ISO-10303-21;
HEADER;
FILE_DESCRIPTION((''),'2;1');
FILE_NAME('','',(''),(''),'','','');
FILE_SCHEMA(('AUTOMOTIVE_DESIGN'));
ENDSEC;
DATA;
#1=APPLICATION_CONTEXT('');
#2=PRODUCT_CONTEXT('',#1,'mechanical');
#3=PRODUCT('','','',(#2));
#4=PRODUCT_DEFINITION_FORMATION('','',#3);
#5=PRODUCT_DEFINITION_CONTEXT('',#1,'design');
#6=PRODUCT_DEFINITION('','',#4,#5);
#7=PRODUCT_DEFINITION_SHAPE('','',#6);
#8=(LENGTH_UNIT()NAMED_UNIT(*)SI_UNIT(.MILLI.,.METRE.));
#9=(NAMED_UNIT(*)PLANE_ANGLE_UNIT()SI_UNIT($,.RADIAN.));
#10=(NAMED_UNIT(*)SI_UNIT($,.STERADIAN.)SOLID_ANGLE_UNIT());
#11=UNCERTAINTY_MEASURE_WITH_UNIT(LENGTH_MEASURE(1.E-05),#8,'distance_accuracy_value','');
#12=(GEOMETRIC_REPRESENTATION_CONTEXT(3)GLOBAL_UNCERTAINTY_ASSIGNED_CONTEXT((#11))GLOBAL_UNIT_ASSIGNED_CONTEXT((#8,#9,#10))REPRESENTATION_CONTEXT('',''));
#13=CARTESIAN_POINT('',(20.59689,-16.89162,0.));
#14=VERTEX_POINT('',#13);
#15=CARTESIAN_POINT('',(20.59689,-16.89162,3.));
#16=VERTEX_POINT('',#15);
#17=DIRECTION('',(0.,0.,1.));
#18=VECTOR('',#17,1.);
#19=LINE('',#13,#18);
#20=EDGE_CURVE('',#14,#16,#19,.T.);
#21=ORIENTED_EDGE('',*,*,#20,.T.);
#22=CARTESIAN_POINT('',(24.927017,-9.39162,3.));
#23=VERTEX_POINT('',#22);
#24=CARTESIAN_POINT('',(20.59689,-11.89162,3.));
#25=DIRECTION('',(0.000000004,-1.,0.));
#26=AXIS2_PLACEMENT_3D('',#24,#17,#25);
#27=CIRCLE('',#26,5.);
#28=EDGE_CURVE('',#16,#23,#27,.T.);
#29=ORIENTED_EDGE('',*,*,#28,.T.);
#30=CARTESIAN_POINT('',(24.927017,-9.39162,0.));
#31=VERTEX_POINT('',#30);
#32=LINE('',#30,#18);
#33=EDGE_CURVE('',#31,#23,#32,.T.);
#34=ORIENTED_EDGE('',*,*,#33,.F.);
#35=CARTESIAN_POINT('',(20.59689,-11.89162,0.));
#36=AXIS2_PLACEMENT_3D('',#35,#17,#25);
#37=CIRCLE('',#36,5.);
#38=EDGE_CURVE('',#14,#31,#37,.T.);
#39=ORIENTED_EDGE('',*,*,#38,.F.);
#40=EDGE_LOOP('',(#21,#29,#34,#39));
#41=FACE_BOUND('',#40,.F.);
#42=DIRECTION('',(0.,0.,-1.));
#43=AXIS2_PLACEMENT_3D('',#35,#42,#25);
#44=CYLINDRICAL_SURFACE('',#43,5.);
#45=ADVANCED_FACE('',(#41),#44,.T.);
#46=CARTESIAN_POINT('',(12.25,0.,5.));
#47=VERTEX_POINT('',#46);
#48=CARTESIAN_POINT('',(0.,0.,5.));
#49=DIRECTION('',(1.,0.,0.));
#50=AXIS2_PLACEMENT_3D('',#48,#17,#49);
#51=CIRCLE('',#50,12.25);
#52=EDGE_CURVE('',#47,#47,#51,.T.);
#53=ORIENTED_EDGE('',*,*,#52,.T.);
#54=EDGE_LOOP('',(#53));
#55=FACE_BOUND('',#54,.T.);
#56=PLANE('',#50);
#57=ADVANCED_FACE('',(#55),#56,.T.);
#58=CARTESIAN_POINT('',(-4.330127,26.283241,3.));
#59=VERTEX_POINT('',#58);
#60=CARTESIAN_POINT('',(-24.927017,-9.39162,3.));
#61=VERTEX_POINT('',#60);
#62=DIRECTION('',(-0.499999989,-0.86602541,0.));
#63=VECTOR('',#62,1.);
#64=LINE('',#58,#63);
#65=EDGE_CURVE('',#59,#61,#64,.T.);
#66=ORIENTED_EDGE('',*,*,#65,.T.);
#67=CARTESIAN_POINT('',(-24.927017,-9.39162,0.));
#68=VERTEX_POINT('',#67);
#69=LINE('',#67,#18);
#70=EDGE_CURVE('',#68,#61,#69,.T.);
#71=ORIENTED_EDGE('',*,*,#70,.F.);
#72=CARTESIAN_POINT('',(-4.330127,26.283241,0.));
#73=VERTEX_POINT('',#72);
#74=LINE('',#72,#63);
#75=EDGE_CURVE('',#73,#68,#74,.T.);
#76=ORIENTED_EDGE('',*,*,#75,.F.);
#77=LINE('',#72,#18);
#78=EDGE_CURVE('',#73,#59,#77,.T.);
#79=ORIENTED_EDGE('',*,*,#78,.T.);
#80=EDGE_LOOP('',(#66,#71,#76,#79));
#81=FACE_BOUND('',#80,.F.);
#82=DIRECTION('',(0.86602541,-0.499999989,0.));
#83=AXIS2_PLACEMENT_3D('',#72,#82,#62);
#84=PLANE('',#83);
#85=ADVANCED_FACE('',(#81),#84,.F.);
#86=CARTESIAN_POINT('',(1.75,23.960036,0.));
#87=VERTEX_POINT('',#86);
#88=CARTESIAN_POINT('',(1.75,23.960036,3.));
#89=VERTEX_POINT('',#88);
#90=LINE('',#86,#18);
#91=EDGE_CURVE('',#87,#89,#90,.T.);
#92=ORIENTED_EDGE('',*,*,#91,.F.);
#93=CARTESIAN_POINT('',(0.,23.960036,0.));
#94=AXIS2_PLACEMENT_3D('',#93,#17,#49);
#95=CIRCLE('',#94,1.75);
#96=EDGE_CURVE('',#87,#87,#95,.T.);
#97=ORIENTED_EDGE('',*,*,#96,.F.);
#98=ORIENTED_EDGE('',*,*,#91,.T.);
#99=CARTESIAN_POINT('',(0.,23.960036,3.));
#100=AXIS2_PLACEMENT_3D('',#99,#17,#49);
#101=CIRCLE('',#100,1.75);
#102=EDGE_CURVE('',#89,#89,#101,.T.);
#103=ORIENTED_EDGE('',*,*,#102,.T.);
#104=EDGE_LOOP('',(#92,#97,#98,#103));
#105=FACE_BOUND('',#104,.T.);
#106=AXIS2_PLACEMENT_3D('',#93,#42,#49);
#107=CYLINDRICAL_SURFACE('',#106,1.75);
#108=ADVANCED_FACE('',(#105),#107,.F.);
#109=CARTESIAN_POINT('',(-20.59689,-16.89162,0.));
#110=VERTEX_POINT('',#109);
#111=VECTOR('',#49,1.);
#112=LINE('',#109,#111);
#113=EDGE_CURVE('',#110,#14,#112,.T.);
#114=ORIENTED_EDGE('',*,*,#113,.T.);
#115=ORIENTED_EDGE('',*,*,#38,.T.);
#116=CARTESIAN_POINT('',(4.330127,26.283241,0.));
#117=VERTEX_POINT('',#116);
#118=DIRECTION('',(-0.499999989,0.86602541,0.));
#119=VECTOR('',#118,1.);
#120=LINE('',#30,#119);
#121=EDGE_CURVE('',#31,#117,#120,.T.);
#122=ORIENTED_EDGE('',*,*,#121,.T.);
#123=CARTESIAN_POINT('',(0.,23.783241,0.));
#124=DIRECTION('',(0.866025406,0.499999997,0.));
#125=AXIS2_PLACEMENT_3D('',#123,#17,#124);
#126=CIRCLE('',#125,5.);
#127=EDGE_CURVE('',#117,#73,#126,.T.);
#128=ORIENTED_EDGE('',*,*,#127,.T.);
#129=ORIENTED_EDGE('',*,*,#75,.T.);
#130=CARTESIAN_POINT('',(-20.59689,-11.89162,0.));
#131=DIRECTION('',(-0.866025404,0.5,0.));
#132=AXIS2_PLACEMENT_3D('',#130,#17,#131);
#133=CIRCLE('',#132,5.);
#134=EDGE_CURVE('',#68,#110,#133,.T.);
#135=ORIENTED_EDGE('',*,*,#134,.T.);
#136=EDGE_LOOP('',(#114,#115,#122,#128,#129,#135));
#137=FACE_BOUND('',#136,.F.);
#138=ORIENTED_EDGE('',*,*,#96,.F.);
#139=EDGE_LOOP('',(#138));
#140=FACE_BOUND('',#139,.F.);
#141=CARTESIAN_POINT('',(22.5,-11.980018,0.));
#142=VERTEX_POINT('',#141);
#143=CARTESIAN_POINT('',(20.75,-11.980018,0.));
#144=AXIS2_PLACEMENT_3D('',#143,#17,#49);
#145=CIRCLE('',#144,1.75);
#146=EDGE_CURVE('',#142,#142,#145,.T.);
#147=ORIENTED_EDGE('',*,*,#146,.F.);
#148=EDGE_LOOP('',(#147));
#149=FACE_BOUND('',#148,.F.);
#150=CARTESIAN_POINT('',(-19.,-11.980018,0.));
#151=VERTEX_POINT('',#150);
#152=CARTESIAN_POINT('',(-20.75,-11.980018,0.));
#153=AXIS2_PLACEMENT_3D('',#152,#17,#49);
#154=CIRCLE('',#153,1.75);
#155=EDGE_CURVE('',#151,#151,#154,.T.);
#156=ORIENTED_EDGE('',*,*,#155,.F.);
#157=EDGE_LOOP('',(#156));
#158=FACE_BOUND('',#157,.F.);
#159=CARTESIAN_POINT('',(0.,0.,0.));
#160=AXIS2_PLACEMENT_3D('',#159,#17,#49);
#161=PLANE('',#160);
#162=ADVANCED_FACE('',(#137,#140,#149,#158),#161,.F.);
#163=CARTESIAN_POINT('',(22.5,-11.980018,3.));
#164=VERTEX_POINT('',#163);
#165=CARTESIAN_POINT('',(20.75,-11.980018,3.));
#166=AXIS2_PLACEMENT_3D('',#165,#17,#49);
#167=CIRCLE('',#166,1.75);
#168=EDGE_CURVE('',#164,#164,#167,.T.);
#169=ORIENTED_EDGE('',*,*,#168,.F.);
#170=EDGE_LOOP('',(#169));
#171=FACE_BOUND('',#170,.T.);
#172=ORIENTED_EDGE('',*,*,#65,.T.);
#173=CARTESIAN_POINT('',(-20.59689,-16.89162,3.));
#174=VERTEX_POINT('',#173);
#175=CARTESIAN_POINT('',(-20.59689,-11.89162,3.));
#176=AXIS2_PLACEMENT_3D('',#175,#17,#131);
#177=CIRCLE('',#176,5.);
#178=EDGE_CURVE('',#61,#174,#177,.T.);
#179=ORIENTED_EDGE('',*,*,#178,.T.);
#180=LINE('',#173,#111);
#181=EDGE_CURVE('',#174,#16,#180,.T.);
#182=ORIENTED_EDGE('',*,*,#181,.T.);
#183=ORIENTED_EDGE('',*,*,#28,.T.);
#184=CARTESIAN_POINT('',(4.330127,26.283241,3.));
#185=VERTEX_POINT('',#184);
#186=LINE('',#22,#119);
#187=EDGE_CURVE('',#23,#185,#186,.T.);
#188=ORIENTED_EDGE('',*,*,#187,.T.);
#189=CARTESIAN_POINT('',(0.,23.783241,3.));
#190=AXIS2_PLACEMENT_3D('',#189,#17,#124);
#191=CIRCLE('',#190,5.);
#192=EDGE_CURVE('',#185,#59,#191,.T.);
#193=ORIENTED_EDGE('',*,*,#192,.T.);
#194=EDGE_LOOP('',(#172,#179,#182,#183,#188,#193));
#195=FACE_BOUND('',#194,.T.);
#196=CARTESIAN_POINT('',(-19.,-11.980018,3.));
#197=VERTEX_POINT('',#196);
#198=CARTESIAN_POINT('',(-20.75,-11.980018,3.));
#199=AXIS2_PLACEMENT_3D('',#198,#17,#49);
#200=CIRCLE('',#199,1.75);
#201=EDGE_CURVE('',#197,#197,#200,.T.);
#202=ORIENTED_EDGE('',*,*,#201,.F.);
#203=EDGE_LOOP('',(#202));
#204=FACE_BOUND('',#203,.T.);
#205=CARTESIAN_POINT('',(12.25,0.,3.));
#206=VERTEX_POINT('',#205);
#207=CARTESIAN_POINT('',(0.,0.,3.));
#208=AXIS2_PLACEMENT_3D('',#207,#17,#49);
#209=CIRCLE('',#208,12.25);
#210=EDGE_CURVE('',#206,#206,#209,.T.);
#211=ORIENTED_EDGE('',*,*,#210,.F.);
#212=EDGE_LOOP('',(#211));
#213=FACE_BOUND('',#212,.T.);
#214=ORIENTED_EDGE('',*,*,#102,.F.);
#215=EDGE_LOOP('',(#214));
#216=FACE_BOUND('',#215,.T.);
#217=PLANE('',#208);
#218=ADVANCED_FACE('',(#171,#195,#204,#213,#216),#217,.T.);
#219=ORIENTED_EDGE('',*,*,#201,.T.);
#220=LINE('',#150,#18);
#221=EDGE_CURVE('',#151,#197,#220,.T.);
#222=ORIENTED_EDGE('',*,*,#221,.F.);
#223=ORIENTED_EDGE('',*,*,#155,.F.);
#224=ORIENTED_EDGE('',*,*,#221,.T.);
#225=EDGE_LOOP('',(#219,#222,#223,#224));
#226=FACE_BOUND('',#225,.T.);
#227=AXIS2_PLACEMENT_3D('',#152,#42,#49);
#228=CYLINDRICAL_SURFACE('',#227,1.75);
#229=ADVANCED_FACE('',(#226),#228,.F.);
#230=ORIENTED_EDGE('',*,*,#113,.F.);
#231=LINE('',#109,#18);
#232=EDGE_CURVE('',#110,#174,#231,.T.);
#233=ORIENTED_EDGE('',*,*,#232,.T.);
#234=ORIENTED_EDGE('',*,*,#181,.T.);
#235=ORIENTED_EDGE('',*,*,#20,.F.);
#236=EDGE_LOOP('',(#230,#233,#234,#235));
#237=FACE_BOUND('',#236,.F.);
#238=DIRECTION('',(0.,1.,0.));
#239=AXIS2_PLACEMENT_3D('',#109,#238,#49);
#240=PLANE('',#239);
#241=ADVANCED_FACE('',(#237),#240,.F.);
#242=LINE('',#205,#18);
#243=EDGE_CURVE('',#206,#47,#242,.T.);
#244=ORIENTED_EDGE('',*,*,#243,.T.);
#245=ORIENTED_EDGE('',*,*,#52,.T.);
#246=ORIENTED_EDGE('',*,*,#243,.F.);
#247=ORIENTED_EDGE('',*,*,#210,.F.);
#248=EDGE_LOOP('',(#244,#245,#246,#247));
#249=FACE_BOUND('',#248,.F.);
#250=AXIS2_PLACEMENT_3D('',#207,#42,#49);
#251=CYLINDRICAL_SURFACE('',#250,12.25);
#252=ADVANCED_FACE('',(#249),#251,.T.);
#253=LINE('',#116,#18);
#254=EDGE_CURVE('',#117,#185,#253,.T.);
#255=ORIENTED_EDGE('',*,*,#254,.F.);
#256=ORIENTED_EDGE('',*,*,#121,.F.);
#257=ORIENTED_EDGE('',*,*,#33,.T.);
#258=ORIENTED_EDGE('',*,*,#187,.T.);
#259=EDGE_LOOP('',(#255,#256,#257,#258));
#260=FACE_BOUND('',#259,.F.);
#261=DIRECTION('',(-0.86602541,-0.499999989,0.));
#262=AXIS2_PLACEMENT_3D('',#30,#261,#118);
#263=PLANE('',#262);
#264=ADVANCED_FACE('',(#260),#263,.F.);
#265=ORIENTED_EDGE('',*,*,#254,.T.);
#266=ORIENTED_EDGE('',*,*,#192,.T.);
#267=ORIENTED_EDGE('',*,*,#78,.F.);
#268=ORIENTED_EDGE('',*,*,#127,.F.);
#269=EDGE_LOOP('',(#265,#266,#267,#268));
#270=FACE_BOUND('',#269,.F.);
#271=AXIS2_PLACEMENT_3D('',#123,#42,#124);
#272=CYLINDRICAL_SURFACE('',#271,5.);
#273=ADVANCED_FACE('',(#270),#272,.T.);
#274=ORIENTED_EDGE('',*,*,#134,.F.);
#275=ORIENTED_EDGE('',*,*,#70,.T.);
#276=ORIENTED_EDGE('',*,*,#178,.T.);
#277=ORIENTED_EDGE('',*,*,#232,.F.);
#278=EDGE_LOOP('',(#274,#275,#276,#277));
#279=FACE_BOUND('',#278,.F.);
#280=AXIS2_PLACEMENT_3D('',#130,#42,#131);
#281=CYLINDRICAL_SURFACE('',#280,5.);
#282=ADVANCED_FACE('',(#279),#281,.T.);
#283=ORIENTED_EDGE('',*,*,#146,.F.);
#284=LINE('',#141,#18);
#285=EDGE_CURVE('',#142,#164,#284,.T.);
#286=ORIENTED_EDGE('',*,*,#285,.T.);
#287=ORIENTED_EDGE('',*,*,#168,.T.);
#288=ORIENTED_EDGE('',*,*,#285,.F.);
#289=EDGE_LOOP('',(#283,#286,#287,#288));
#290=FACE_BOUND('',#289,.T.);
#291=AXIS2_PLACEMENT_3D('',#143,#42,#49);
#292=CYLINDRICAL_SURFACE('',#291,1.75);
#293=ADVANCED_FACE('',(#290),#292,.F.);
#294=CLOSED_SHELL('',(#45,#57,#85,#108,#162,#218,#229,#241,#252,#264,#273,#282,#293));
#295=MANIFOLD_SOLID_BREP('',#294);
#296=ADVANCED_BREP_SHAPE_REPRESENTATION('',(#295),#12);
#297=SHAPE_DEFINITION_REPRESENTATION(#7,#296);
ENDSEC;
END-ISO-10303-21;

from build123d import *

# Parameters (mm, degrees)
F0_R     = 1.75
F1_DEPTH = 3
F2_R     = 12.25
F3_DEPTH = 2


with BuildPart() as f1:
    # F0 (on Top) → F1 (new body)
    with BuildSketch(Plane.XY):
        with BuildLine():
            Line((24.927017, -9.39162), (4.330127, 26.283241))
            ThreePointArc((4.330127, 26.283241), (0, 28.783241), (-4.330127, 26.283241))
            Line((-4.330127, 26.283241), (-24.927017, -9.39162))
            ThreePointArc((-24.927017, -9.39162), (-24.927017, -14.39162), (-20.59689, -16.89162))
            Line((-20.59689, -16.89162), (20.59689, -16.89162))
            ThreePointArc((20.59689, -16.89162), (24.927017, -14.39162), (24.927017, -9.39162))
        make_face()
        with Locations((-20.75, -11.980018)):
            Circle(F0_R, mode=Mode.SUBTRACT)
        with Locations((20.75, -11.980018)):
            Circle(F0_R, mode=Mode.SUBTRACT)
        with Locations((0, 23.960036)):
            Circle(F0_R, mode=Mode.SUBTRACT)
    extrude(amount=F1_DEPTH)

    # F2 (on face) → F3 (join)
    with BuildSketch(Plane.XY.offset(3)):
        Circle(F2_R)
    extrude(amount=F3_DEPTH)


solid = f1.part
